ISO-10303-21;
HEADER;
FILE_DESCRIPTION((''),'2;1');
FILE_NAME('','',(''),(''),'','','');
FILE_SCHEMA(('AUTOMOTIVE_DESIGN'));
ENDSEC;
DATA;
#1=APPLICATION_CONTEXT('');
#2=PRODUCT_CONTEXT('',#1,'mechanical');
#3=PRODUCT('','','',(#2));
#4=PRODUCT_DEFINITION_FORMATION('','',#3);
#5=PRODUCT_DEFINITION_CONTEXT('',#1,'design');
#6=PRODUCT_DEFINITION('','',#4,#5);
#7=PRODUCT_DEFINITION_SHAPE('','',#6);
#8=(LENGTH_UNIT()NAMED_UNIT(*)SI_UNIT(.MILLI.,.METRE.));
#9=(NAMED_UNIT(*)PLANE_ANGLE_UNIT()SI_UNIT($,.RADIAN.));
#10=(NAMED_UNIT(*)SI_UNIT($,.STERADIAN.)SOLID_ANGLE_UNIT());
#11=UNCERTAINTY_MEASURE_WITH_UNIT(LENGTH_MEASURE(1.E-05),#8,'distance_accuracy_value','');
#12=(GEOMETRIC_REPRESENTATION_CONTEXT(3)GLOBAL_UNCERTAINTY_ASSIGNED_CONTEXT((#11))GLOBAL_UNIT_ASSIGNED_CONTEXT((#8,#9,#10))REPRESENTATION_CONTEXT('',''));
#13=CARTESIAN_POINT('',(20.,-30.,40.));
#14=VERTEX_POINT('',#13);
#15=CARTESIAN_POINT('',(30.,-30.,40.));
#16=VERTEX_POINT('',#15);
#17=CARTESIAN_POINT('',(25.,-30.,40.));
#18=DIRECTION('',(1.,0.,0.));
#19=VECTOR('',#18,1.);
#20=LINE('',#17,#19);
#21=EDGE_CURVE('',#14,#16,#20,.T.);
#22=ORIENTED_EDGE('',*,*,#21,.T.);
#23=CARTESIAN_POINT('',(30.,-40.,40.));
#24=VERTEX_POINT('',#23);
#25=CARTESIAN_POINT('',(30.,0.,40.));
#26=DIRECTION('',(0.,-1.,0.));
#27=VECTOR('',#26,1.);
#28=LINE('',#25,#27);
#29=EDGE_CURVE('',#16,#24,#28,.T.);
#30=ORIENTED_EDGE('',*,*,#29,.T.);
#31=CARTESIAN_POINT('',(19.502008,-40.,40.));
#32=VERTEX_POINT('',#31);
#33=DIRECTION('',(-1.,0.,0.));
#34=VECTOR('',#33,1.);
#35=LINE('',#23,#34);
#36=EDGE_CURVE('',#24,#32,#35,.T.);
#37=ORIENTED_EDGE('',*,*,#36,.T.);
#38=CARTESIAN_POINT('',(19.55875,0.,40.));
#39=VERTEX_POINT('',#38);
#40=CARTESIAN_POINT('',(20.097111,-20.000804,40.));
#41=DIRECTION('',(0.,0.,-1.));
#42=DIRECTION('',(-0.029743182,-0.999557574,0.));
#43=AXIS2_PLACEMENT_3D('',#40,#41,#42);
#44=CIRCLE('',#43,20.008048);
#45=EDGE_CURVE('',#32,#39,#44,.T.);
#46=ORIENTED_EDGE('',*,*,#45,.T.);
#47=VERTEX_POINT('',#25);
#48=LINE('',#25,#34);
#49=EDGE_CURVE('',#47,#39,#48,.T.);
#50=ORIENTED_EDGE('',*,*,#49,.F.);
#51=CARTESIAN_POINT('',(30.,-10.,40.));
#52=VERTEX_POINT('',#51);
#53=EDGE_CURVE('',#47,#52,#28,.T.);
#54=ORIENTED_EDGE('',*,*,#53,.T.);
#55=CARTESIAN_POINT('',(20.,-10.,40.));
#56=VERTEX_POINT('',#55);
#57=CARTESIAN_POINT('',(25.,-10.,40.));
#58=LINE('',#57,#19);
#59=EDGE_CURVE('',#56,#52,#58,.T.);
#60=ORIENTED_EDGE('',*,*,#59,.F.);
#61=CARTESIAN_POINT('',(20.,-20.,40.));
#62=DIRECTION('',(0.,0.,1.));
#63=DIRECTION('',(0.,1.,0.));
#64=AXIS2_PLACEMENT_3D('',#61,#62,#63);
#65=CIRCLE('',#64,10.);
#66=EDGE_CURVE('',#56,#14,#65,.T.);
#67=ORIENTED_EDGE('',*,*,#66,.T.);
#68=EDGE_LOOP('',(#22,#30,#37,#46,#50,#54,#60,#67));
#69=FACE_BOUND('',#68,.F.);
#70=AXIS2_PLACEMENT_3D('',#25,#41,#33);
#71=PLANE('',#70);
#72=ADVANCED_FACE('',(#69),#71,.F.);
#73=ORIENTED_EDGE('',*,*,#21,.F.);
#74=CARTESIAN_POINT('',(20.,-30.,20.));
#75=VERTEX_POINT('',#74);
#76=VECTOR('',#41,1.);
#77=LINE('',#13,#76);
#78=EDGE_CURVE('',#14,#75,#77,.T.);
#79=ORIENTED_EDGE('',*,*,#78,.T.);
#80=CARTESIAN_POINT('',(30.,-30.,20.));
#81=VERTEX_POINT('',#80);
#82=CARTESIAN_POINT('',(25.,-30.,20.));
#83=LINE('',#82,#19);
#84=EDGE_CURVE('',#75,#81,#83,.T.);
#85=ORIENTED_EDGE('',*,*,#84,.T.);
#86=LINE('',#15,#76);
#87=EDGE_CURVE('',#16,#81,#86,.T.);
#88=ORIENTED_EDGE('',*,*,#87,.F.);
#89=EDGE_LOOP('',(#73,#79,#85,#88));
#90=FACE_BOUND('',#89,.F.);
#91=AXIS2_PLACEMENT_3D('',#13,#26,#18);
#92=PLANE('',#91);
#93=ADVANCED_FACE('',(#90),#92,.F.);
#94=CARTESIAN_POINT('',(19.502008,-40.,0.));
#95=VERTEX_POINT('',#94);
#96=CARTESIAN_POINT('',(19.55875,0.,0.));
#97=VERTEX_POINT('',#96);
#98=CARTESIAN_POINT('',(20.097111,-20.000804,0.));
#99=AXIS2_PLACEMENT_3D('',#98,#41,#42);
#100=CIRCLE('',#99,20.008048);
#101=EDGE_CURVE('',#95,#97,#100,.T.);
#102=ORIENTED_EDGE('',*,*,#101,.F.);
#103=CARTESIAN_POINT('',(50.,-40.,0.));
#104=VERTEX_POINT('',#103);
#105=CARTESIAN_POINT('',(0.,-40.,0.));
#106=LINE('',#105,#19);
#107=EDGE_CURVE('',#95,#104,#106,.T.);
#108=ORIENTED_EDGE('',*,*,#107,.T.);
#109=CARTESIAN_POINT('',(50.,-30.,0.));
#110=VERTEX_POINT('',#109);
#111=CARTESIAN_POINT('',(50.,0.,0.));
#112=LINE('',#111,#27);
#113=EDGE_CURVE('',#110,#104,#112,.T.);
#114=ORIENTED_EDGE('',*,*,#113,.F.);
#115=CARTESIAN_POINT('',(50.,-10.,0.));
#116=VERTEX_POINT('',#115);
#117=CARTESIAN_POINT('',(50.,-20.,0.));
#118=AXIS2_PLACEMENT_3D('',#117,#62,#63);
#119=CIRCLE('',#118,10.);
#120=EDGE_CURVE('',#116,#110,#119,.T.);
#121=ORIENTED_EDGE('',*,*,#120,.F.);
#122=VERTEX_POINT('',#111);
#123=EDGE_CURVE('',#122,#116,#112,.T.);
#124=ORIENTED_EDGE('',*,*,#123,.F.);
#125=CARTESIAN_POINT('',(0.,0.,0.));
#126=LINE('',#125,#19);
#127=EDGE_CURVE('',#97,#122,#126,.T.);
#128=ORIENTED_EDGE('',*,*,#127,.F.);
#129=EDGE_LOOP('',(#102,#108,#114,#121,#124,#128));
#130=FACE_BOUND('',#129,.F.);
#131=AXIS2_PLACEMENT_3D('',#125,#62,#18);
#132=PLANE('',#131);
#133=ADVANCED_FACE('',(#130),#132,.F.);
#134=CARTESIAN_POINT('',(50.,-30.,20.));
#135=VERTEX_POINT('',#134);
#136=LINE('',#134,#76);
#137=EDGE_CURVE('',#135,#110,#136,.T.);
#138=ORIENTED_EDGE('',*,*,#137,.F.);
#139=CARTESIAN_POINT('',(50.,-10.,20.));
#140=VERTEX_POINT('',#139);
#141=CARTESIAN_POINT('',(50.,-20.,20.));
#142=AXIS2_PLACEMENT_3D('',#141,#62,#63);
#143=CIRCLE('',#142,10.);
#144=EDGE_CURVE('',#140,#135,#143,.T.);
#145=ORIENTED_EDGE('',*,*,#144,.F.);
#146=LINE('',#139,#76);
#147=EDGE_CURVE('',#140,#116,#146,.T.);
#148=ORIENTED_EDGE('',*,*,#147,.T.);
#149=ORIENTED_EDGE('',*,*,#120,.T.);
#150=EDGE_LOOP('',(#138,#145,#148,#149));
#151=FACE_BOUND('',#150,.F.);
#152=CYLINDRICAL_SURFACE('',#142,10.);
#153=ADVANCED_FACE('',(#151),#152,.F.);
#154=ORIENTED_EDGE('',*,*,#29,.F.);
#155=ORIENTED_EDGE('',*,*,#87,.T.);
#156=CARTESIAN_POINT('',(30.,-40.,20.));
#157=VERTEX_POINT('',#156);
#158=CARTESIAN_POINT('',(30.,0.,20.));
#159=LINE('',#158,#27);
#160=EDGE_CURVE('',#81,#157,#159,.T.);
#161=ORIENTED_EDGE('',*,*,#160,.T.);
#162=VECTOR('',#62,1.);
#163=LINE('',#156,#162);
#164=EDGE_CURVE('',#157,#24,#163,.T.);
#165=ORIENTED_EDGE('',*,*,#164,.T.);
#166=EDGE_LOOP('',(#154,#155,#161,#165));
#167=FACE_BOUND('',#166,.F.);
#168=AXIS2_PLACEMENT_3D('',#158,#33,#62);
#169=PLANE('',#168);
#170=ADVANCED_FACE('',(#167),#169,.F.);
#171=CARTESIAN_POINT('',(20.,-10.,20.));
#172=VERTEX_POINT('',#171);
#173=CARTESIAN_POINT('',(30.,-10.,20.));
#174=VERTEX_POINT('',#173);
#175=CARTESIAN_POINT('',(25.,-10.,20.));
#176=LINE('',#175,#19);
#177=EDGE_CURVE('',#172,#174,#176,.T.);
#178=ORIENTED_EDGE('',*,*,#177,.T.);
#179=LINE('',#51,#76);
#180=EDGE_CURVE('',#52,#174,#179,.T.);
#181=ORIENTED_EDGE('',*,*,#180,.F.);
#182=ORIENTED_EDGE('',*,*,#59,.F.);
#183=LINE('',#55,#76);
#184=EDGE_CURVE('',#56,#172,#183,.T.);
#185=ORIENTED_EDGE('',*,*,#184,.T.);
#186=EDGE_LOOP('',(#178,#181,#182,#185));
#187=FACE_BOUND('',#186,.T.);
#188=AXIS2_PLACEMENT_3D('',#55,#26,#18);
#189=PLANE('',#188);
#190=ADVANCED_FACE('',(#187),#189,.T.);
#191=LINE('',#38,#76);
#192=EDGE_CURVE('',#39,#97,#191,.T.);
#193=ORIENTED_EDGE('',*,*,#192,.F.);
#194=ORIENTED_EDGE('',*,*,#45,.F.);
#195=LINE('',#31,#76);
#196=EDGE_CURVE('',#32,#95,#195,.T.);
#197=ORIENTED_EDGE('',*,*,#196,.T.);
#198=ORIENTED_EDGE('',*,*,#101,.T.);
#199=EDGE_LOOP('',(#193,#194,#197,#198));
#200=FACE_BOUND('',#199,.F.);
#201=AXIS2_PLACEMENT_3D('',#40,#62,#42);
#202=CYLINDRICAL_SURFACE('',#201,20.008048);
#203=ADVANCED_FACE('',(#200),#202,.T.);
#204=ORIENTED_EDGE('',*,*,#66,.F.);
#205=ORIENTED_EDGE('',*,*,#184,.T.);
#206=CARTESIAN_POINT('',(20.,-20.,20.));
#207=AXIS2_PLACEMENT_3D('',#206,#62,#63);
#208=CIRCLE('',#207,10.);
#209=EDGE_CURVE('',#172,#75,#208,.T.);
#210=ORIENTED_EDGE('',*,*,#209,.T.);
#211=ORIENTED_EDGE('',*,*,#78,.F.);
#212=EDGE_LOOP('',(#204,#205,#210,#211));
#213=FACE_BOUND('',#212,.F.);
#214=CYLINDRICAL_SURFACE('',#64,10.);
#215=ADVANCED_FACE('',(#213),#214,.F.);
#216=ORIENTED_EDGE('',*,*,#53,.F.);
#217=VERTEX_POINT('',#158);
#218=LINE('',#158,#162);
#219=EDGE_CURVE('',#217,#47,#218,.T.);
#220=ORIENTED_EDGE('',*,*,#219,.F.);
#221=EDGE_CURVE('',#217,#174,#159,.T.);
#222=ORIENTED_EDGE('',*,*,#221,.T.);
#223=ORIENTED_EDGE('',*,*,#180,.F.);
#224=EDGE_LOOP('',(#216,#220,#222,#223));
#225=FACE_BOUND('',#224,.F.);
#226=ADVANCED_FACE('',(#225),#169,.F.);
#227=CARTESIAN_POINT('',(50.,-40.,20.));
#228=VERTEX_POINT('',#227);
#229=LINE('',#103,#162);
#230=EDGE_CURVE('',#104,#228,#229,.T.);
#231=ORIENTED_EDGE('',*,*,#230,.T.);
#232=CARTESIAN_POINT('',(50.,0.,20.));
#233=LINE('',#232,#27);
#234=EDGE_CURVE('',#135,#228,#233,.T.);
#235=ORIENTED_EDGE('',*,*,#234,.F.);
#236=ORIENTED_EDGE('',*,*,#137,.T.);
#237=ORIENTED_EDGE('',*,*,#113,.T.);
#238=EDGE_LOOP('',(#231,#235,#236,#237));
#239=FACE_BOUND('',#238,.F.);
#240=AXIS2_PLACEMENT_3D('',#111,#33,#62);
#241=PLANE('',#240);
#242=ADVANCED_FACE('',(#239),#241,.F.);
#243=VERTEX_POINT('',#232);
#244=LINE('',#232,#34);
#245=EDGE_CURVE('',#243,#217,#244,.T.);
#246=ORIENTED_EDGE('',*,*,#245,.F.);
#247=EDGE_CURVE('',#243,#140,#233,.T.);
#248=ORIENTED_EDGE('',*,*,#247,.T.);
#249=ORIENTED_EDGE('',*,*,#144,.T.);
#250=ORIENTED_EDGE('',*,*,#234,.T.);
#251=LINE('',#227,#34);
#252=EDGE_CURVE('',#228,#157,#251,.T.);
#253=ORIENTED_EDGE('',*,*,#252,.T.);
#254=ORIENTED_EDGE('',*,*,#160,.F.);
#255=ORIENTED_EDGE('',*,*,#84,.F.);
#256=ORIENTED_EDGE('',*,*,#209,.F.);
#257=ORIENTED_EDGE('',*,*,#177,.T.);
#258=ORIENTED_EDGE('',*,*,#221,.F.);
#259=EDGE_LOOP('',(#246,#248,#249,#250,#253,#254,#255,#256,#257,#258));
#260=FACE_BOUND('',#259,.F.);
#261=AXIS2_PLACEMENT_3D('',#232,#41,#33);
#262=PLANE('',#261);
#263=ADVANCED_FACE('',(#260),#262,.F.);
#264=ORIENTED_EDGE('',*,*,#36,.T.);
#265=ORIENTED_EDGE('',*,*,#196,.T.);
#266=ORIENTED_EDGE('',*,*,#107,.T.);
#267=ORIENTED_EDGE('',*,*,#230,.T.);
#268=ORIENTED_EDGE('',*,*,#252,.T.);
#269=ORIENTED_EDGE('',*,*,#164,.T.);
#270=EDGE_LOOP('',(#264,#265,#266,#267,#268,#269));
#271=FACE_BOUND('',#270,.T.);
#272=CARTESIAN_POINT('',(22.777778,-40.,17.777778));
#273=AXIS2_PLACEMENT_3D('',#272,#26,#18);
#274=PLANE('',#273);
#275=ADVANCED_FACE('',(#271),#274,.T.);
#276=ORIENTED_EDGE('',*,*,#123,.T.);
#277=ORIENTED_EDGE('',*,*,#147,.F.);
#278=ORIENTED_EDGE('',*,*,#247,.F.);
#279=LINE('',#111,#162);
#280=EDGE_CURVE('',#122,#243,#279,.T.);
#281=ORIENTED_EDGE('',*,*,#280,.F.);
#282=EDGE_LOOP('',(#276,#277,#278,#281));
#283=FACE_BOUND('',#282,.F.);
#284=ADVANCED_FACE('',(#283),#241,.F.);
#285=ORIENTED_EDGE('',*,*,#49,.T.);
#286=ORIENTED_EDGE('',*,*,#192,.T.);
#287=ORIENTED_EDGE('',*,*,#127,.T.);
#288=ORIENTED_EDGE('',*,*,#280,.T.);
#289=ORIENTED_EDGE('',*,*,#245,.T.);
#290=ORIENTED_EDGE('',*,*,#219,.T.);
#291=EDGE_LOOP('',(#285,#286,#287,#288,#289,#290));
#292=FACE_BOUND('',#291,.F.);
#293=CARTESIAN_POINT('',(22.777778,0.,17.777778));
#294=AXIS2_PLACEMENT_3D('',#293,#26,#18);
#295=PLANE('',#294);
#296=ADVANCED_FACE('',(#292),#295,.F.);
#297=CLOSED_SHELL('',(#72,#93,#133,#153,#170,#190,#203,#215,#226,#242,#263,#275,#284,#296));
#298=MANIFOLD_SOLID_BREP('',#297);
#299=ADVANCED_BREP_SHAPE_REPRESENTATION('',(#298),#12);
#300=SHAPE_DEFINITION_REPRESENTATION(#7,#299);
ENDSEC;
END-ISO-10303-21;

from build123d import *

# Parameters (mm, degrees)
F1_DEPTH = 40
F3_DEPTH = 40
F4_W     = 10
F4_H     = 20
F5_DEPTH = 20
F7_DEPTH = 20
F9_DEPTH = 20


with BuildPart() as f1:
    # F0 (on Front) → F1 (new body)
    with BuildSketch(Plane.XZ):
        Polygon((0, 40), (0, 0), (50, 0), (50, 20), (30, 20), (30, 40), align=None)
    extrude(amount=F1_DEPTH)

    # F2 (on face) → F3 (cut)
    with BuildSketch(Plane.XY.offset(40)):
        with BuildLine():
            ThreePointArc((19.502008, -40), (0.089083, -19.972422), (19.55875, 0))
            Line((19.55875, 0), (0, 0))
            Line((0, 0), (0, -40))
            Line((0, -40), (19.502008, -40))
        make_face()
    extrude(amount=-F3_DEPTH, mode=Mode.SUBTRACT)

    # F4 (on face) → F5 (cut)
    with BuildSketch(Plane.XY.offset(40)):
        with Locations((25, -20)):
            Rectangle(F4_W, F4_H)
    extrude(amount=-F5_DEPTH, mode=Mode.SUBTRACT)

    # F6 (on face) → F7 (cut)
    with BuildSketch(Plane.XY.offset(40)):
        with BuildLine():
            Line((20, -30), (20, -10))
            ThreePointArc((20, -10), (10, -20), (20, -30))
        make_face()
    extrude(amount=-F7_DEPTH, mode=Mode.SUBTRACT)

    # F8 (on face) → F9 (cut)
    with BuildSketch(Plane.XY.offset(20)):
        with BuildLine():
            Line((50, -30), (50, -10))
            ThreePointArc((50, -10), (40, -20), (50, -30))
        make_face()
    extrude(amount=-F9_DEPTH, mode=Mode.SUBTRACT)


solid = f1.part
